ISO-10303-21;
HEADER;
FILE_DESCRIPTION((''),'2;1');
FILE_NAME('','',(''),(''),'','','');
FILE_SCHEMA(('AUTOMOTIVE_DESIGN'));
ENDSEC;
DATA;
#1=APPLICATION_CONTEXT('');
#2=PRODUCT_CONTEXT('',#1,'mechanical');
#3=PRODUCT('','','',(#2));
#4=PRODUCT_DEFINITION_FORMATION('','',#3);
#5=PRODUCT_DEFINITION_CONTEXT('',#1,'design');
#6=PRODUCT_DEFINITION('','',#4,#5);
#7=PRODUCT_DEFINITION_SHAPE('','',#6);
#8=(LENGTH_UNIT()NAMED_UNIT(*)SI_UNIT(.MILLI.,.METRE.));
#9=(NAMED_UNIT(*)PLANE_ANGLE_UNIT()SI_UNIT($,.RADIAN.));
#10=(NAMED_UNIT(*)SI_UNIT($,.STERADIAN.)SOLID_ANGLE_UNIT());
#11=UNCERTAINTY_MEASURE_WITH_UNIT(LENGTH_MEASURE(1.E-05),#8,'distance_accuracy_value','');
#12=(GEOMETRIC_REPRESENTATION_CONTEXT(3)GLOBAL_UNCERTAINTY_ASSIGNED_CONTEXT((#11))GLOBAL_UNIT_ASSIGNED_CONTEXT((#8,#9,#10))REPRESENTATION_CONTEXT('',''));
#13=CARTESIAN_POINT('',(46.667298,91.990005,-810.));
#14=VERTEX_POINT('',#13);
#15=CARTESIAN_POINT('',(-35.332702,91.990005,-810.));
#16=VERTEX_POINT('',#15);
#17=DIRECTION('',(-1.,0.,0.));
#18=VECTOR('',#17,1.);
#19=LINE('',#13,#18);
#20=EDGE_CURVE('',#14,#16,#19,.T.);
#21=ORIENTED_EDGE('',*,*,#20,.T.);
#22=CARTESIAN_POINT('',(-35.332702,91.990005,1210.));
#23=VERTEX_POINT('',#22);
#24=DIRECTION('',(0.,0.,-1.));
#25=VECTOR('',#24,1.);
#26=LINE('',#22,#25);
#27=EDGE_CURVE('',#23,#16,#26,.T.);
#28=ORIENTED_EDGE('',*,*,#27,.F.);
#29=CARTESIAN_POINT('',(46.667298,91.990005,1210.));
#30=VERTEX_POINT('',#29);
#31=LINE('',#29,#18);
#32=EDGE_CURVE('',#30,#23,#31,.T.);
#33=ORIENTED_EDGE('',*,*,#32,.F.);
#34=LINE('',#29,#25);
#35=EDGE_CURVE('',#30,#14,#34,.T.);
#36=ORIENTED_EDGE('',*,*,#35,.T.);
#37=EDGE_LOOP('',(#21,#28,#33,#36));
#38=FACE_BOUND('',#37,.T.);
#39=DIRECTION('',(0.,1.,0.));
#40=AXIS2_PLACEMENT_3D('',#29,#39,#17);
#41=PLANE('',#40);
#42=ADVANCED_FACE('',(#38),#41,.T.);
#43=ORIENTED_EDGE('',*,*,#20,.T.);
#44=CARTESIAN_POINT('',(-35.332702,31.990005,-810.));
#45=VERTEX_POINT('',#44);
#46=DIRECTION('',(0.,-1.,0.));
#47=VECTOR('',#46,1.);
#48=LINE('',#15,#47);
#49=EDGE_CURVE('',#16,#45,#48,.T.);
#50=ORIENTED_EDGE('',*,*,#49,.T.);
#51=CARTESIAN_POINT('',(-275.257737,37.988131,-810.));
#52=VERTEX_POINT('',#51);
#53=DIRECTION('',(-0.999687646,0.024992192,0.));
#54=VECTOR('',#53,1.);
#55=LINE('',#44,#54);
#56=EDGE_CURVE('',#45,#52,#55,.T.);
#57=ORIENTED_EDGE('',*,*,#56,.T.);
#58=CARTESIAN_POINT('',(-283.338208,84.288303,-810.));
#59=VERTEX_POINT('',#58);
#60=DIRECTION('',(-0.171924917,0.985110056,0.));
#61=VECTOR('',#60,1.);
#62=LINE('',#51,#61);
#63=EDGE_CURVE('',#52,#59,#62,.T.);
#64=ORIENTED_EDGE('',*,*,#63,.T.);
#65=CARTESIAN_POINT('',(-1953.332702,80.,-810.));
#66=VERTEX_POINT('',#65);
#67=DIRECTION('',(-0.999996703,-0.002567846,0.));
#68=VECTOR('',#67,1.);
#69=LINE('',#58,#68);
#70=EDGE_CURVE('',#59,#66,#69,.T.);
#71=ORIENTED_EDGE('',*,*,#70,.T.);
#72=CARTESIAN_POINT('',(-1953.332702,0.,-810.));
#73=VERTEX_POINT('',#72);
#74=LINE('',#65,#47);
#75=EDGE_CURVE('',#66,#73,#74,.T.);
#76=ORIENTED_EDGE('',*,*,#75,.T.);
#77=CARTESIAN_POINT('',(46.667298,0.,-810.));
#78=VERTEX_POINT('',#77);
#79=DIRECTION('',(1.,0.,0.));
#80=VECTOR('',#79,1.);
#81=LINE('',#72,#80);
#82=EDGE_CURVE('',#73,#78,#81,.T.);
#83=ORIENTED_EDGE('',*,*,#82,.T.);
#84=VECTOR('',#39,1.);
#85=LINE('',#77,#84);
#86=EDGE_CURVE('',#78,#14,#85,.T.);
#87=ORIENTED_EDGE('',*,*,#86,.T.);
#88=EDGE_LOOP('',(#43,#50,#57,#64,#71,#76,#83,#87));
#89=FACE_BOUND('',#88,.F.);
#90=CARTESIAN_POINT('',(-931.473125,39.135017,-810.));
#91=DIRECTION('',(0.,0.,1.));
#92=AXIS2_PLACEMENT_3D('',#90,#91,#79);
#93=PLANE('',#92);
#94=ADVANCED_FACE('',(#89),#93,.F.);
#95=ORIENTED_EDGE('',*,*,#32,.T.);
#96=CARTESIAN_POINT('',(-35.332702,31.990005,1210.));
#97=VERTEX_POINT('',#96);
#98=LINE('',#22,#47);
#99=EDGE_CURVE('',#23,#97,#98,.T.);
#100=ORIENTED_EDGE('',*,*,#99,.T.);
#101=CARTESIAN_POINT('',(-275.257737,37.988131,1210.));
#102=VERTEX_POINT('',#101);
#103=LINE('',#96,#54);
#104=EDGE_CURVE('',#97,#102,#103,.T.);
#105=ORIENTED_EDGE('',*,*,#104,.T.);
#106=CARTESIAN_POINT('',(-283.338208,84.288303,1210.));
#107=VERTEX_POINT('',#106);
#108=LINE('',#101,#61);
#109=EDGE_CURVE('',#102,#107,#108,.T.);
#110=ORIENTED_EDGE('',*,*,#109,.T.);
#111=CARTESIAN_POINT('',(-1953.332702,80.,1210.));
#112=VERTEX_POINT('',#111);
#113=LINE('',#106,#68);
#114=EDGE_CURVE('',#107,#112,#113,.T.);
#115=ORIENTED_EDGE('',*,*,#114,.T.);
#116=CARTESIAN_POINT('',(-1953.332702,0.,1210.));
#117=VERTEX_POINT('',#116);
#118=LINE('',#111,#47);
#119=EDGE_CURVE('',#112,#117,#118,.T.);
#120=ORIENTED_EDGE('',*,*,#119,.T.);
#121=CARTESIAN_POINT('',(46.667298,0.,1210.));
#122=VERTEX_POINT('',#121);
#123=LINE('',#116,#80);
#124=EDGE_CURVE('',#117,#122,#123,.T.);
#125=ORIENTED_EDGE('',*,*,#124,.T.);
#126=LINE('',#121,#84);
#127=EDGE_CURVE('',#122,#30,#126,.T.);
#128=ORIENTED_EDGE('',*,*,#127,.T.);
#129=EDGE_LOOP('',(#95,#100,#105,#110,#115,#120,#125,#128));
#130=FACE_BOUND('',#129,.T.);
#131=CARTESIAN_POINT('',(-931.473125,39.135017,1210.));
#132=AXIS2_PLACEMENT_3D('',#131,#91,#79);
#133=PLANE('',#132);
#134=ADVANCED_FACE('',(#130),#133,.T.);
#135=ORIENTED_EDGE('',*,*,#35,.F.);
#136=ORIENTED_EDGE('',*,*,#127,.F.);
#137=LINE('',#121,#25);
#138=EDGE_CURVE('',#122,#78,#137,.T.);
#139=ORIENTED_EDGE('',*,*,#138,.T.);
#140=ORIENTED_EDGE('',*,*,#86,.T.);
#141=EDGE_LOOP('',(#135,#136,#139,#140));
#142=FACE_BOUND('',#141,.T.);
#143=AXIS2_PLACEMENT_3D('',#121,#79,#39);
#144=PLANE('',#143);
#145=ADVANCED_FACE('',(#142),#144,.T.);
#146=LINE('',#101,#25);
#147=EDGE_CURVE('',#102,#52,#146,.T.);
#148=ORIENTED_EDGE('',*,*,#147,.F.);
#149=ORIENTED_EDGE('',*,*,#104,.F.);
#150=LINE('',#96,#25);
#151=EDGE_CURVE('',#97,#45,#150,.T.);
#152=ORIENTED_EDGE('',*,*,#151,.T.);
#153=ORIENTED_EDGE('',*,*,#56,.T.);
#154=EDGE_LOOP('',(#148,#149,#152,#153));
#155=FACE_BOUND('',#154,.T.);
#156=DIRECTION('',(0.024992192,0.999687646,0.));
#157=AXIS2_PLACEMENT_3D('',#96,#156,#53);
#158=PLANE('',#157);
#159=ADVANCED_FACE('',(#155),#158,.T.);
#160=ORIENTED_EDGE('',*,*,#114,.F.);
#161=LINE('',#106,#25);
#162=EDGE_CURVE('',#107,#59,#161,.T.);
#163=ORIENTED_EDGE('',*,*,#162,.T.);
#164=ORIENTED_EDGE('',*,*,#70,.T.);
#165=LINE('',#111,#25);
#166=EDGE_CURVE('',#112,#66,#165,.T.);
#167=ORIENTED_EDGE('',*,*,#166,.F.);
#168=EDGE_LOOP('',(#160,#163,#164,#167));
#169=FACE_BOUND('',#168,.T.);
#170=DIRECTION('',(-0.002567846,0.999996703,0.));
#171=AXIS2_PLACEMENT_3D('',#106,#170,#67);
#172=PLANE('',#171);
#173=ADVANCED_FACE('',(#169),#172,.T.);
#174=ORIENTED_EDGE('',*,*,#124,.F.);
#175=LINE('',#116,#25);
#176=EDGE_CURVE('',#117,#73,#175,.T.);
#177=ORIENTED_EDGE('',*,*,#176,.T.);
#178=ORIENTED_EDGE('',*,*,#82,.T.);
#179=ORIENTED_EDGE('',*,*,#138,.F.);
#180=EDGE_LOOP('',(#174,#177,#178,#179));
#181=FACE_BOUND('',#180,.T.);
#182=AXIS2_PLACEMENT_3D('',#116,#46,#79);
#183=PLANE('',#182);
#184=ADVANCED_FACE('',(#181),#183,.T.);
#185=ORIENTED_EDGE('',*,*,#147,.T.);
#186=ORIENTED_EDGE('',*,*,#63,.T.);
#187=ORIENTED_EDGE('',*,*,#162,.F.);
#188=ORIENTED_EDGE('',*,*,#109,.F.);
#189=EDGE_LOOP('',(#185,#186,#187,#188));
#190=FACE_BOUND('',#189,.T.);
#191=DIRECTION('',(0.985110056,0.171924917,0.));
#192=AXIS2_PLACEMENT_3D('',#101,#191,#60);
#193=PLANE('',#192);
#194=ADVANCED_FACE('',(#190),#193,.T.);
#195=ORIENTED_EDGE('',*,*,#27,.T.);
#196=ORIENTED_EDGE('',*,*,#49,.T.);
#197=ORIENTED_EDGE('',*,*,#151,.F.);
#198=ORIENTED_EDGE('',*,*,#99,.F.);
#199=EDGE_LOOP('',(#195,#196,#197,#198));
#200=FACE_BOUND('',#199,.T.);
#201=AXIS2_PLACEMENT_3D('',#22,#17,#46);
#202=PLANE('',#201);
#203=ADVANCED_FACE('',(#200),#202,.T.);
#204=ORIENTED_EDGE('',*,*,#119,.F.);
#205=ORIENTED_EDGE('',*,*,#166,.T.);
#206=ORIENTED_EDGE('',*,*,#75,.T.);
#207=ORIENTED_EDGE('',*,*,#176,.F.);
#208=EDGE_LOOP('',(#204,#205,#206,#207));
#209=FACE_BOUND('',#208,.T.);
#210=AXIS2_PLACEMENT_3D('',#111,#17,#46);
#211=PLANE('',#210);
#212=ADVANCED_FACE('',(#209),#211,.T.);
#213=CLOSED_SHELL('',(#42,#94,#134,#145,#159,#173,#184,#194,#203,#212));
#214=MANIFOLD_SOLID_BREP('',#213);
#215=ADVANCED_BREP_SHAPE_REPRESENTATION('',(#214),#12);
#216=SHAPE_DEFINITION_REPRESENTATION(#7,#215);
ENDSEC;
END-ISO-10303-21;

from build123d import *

# Parameters (mm, degrees)
F5_DEPTH = 2020


with BuildPart() as f5:
    # F3 (on face) → F5 (new body, through all)
    with BuildSketch(Plane.XY.offset(1210)):
        Polygon((-1953.332702, 80), (-1953.332702, 0), (-276.20744, 0), (-36.132452, 0), (46.667298, 0), (46.667298, 91.990005), (-35.332702, 91.990005), (-35.332702, 31.990005), (-275.257737, 37.988131), (-283.338208, 84.288303), align=None)
    extrude(amount=-F5_DEPTH)


solid = f5.part
